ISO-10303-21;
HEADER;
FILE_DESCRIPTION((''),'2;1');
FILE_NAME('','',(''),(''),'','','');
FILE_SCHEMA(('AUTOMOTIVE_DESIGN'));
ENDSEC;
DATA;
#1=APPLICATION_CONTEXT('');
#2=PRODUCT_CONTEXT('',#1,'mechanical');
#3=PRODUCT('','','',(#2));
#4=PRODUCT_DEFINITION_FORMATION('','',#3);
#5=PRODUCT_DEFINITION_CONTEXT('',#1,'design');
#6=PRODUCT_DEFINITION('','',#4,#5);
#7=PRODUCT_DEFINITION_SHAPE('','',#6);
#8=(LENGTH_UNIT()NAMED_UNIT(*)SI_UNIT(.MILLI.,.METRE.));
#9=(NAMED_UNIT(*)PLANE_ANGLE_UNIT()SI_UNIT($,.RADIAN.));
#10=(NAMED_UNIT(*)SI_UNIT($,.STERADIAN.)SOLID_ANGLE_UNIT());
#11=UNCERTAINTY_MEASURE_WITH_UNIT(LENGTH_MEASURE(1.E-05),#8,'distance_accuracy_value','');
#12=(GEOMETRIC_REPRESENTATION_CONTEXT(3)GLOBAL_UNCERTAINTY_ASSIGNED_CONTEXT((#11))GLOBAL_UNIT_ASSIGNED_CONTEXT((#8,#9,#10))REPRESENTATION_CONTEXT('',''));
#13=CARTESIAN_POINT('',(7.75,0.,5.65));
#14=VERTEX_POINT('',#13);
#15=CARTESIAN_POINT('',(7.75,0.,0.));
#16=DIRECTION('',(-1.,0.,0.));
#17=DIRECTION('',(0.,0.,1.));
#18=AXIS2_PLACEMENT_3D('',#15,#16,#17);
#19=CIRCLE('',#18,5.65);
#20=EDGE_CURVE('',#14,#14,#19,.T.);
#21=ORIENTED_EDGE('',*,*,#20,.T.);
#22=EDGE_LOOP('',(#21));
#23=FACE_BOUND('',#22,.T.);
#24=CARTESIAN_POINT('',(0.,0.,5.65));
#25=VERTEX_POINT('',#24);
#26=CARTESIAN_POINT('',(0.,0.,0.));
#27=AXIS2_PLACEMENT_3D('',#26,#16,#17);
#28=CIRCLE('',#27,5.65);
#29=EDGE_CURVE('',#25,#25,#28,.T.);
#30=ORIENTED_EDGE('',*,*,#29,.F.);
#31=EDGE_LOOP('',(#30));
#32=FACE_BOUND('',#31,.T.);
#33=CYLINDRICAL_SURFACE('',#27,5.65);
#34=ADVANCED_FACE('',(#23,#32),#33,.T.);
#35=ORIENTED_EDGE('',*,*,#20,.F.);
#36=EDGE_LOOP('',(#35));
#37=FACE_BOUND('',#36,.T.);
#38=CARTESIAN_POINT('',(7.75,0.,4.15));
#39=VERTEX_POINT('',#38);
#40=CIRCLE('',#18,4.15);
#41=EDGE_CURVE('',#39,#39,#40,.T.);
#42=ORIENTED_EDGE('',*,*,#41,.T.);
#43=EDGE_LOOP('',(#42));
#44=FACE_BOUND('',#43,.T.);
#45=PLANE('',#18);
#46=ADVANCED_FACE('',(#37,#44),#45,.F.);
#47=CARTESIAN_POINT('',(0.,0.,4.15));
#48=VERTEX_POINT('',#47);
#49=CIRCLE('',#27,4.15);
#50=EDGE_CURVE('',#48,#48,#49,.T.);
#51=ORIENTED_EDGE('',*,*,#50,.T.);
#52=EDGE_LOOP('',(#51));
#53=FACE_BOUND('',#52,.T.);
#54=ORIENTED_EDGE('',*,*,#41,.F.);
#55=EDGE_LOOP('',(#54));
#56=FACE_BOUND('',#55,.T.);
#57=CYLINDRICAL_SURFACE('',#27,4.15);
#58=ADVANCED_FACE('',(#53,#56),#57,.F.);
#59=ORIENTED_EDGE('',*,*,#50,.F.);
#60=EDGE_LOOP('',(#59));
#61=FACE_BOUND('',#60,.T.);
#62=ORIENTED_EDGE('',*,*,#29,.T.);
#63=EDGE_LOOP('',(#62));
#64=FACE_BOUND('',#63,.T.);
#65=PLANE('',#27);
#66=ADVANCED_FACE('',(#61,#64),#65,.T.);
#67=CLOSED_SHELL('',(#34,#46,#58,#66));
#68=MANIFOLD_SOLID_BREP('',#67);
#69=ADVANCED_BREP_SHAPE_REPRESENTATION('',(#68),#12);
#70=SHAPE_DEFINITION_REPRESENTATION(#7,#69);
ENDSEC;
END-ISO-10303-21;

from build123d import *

# Parameters (mm, degrees)
SKETCH1_W = 7.75
SKETCH1_H = 1.5


with BuildPart() as part:
    # Sketch1 → Revolve1 (revolve)
    with BuildSketch(Plane(origin=(0, 0, 0), x_dir=(1, 0, 0), z_dir=(0, 1, 0))):
        with Locations((3.875, -4.9)):
            Rectangle(SKETCH1_W, SKETCH1_H)
    revolve(axis=Axis((0, 0, 0), (1, 0, 0)))


solid = part.part
